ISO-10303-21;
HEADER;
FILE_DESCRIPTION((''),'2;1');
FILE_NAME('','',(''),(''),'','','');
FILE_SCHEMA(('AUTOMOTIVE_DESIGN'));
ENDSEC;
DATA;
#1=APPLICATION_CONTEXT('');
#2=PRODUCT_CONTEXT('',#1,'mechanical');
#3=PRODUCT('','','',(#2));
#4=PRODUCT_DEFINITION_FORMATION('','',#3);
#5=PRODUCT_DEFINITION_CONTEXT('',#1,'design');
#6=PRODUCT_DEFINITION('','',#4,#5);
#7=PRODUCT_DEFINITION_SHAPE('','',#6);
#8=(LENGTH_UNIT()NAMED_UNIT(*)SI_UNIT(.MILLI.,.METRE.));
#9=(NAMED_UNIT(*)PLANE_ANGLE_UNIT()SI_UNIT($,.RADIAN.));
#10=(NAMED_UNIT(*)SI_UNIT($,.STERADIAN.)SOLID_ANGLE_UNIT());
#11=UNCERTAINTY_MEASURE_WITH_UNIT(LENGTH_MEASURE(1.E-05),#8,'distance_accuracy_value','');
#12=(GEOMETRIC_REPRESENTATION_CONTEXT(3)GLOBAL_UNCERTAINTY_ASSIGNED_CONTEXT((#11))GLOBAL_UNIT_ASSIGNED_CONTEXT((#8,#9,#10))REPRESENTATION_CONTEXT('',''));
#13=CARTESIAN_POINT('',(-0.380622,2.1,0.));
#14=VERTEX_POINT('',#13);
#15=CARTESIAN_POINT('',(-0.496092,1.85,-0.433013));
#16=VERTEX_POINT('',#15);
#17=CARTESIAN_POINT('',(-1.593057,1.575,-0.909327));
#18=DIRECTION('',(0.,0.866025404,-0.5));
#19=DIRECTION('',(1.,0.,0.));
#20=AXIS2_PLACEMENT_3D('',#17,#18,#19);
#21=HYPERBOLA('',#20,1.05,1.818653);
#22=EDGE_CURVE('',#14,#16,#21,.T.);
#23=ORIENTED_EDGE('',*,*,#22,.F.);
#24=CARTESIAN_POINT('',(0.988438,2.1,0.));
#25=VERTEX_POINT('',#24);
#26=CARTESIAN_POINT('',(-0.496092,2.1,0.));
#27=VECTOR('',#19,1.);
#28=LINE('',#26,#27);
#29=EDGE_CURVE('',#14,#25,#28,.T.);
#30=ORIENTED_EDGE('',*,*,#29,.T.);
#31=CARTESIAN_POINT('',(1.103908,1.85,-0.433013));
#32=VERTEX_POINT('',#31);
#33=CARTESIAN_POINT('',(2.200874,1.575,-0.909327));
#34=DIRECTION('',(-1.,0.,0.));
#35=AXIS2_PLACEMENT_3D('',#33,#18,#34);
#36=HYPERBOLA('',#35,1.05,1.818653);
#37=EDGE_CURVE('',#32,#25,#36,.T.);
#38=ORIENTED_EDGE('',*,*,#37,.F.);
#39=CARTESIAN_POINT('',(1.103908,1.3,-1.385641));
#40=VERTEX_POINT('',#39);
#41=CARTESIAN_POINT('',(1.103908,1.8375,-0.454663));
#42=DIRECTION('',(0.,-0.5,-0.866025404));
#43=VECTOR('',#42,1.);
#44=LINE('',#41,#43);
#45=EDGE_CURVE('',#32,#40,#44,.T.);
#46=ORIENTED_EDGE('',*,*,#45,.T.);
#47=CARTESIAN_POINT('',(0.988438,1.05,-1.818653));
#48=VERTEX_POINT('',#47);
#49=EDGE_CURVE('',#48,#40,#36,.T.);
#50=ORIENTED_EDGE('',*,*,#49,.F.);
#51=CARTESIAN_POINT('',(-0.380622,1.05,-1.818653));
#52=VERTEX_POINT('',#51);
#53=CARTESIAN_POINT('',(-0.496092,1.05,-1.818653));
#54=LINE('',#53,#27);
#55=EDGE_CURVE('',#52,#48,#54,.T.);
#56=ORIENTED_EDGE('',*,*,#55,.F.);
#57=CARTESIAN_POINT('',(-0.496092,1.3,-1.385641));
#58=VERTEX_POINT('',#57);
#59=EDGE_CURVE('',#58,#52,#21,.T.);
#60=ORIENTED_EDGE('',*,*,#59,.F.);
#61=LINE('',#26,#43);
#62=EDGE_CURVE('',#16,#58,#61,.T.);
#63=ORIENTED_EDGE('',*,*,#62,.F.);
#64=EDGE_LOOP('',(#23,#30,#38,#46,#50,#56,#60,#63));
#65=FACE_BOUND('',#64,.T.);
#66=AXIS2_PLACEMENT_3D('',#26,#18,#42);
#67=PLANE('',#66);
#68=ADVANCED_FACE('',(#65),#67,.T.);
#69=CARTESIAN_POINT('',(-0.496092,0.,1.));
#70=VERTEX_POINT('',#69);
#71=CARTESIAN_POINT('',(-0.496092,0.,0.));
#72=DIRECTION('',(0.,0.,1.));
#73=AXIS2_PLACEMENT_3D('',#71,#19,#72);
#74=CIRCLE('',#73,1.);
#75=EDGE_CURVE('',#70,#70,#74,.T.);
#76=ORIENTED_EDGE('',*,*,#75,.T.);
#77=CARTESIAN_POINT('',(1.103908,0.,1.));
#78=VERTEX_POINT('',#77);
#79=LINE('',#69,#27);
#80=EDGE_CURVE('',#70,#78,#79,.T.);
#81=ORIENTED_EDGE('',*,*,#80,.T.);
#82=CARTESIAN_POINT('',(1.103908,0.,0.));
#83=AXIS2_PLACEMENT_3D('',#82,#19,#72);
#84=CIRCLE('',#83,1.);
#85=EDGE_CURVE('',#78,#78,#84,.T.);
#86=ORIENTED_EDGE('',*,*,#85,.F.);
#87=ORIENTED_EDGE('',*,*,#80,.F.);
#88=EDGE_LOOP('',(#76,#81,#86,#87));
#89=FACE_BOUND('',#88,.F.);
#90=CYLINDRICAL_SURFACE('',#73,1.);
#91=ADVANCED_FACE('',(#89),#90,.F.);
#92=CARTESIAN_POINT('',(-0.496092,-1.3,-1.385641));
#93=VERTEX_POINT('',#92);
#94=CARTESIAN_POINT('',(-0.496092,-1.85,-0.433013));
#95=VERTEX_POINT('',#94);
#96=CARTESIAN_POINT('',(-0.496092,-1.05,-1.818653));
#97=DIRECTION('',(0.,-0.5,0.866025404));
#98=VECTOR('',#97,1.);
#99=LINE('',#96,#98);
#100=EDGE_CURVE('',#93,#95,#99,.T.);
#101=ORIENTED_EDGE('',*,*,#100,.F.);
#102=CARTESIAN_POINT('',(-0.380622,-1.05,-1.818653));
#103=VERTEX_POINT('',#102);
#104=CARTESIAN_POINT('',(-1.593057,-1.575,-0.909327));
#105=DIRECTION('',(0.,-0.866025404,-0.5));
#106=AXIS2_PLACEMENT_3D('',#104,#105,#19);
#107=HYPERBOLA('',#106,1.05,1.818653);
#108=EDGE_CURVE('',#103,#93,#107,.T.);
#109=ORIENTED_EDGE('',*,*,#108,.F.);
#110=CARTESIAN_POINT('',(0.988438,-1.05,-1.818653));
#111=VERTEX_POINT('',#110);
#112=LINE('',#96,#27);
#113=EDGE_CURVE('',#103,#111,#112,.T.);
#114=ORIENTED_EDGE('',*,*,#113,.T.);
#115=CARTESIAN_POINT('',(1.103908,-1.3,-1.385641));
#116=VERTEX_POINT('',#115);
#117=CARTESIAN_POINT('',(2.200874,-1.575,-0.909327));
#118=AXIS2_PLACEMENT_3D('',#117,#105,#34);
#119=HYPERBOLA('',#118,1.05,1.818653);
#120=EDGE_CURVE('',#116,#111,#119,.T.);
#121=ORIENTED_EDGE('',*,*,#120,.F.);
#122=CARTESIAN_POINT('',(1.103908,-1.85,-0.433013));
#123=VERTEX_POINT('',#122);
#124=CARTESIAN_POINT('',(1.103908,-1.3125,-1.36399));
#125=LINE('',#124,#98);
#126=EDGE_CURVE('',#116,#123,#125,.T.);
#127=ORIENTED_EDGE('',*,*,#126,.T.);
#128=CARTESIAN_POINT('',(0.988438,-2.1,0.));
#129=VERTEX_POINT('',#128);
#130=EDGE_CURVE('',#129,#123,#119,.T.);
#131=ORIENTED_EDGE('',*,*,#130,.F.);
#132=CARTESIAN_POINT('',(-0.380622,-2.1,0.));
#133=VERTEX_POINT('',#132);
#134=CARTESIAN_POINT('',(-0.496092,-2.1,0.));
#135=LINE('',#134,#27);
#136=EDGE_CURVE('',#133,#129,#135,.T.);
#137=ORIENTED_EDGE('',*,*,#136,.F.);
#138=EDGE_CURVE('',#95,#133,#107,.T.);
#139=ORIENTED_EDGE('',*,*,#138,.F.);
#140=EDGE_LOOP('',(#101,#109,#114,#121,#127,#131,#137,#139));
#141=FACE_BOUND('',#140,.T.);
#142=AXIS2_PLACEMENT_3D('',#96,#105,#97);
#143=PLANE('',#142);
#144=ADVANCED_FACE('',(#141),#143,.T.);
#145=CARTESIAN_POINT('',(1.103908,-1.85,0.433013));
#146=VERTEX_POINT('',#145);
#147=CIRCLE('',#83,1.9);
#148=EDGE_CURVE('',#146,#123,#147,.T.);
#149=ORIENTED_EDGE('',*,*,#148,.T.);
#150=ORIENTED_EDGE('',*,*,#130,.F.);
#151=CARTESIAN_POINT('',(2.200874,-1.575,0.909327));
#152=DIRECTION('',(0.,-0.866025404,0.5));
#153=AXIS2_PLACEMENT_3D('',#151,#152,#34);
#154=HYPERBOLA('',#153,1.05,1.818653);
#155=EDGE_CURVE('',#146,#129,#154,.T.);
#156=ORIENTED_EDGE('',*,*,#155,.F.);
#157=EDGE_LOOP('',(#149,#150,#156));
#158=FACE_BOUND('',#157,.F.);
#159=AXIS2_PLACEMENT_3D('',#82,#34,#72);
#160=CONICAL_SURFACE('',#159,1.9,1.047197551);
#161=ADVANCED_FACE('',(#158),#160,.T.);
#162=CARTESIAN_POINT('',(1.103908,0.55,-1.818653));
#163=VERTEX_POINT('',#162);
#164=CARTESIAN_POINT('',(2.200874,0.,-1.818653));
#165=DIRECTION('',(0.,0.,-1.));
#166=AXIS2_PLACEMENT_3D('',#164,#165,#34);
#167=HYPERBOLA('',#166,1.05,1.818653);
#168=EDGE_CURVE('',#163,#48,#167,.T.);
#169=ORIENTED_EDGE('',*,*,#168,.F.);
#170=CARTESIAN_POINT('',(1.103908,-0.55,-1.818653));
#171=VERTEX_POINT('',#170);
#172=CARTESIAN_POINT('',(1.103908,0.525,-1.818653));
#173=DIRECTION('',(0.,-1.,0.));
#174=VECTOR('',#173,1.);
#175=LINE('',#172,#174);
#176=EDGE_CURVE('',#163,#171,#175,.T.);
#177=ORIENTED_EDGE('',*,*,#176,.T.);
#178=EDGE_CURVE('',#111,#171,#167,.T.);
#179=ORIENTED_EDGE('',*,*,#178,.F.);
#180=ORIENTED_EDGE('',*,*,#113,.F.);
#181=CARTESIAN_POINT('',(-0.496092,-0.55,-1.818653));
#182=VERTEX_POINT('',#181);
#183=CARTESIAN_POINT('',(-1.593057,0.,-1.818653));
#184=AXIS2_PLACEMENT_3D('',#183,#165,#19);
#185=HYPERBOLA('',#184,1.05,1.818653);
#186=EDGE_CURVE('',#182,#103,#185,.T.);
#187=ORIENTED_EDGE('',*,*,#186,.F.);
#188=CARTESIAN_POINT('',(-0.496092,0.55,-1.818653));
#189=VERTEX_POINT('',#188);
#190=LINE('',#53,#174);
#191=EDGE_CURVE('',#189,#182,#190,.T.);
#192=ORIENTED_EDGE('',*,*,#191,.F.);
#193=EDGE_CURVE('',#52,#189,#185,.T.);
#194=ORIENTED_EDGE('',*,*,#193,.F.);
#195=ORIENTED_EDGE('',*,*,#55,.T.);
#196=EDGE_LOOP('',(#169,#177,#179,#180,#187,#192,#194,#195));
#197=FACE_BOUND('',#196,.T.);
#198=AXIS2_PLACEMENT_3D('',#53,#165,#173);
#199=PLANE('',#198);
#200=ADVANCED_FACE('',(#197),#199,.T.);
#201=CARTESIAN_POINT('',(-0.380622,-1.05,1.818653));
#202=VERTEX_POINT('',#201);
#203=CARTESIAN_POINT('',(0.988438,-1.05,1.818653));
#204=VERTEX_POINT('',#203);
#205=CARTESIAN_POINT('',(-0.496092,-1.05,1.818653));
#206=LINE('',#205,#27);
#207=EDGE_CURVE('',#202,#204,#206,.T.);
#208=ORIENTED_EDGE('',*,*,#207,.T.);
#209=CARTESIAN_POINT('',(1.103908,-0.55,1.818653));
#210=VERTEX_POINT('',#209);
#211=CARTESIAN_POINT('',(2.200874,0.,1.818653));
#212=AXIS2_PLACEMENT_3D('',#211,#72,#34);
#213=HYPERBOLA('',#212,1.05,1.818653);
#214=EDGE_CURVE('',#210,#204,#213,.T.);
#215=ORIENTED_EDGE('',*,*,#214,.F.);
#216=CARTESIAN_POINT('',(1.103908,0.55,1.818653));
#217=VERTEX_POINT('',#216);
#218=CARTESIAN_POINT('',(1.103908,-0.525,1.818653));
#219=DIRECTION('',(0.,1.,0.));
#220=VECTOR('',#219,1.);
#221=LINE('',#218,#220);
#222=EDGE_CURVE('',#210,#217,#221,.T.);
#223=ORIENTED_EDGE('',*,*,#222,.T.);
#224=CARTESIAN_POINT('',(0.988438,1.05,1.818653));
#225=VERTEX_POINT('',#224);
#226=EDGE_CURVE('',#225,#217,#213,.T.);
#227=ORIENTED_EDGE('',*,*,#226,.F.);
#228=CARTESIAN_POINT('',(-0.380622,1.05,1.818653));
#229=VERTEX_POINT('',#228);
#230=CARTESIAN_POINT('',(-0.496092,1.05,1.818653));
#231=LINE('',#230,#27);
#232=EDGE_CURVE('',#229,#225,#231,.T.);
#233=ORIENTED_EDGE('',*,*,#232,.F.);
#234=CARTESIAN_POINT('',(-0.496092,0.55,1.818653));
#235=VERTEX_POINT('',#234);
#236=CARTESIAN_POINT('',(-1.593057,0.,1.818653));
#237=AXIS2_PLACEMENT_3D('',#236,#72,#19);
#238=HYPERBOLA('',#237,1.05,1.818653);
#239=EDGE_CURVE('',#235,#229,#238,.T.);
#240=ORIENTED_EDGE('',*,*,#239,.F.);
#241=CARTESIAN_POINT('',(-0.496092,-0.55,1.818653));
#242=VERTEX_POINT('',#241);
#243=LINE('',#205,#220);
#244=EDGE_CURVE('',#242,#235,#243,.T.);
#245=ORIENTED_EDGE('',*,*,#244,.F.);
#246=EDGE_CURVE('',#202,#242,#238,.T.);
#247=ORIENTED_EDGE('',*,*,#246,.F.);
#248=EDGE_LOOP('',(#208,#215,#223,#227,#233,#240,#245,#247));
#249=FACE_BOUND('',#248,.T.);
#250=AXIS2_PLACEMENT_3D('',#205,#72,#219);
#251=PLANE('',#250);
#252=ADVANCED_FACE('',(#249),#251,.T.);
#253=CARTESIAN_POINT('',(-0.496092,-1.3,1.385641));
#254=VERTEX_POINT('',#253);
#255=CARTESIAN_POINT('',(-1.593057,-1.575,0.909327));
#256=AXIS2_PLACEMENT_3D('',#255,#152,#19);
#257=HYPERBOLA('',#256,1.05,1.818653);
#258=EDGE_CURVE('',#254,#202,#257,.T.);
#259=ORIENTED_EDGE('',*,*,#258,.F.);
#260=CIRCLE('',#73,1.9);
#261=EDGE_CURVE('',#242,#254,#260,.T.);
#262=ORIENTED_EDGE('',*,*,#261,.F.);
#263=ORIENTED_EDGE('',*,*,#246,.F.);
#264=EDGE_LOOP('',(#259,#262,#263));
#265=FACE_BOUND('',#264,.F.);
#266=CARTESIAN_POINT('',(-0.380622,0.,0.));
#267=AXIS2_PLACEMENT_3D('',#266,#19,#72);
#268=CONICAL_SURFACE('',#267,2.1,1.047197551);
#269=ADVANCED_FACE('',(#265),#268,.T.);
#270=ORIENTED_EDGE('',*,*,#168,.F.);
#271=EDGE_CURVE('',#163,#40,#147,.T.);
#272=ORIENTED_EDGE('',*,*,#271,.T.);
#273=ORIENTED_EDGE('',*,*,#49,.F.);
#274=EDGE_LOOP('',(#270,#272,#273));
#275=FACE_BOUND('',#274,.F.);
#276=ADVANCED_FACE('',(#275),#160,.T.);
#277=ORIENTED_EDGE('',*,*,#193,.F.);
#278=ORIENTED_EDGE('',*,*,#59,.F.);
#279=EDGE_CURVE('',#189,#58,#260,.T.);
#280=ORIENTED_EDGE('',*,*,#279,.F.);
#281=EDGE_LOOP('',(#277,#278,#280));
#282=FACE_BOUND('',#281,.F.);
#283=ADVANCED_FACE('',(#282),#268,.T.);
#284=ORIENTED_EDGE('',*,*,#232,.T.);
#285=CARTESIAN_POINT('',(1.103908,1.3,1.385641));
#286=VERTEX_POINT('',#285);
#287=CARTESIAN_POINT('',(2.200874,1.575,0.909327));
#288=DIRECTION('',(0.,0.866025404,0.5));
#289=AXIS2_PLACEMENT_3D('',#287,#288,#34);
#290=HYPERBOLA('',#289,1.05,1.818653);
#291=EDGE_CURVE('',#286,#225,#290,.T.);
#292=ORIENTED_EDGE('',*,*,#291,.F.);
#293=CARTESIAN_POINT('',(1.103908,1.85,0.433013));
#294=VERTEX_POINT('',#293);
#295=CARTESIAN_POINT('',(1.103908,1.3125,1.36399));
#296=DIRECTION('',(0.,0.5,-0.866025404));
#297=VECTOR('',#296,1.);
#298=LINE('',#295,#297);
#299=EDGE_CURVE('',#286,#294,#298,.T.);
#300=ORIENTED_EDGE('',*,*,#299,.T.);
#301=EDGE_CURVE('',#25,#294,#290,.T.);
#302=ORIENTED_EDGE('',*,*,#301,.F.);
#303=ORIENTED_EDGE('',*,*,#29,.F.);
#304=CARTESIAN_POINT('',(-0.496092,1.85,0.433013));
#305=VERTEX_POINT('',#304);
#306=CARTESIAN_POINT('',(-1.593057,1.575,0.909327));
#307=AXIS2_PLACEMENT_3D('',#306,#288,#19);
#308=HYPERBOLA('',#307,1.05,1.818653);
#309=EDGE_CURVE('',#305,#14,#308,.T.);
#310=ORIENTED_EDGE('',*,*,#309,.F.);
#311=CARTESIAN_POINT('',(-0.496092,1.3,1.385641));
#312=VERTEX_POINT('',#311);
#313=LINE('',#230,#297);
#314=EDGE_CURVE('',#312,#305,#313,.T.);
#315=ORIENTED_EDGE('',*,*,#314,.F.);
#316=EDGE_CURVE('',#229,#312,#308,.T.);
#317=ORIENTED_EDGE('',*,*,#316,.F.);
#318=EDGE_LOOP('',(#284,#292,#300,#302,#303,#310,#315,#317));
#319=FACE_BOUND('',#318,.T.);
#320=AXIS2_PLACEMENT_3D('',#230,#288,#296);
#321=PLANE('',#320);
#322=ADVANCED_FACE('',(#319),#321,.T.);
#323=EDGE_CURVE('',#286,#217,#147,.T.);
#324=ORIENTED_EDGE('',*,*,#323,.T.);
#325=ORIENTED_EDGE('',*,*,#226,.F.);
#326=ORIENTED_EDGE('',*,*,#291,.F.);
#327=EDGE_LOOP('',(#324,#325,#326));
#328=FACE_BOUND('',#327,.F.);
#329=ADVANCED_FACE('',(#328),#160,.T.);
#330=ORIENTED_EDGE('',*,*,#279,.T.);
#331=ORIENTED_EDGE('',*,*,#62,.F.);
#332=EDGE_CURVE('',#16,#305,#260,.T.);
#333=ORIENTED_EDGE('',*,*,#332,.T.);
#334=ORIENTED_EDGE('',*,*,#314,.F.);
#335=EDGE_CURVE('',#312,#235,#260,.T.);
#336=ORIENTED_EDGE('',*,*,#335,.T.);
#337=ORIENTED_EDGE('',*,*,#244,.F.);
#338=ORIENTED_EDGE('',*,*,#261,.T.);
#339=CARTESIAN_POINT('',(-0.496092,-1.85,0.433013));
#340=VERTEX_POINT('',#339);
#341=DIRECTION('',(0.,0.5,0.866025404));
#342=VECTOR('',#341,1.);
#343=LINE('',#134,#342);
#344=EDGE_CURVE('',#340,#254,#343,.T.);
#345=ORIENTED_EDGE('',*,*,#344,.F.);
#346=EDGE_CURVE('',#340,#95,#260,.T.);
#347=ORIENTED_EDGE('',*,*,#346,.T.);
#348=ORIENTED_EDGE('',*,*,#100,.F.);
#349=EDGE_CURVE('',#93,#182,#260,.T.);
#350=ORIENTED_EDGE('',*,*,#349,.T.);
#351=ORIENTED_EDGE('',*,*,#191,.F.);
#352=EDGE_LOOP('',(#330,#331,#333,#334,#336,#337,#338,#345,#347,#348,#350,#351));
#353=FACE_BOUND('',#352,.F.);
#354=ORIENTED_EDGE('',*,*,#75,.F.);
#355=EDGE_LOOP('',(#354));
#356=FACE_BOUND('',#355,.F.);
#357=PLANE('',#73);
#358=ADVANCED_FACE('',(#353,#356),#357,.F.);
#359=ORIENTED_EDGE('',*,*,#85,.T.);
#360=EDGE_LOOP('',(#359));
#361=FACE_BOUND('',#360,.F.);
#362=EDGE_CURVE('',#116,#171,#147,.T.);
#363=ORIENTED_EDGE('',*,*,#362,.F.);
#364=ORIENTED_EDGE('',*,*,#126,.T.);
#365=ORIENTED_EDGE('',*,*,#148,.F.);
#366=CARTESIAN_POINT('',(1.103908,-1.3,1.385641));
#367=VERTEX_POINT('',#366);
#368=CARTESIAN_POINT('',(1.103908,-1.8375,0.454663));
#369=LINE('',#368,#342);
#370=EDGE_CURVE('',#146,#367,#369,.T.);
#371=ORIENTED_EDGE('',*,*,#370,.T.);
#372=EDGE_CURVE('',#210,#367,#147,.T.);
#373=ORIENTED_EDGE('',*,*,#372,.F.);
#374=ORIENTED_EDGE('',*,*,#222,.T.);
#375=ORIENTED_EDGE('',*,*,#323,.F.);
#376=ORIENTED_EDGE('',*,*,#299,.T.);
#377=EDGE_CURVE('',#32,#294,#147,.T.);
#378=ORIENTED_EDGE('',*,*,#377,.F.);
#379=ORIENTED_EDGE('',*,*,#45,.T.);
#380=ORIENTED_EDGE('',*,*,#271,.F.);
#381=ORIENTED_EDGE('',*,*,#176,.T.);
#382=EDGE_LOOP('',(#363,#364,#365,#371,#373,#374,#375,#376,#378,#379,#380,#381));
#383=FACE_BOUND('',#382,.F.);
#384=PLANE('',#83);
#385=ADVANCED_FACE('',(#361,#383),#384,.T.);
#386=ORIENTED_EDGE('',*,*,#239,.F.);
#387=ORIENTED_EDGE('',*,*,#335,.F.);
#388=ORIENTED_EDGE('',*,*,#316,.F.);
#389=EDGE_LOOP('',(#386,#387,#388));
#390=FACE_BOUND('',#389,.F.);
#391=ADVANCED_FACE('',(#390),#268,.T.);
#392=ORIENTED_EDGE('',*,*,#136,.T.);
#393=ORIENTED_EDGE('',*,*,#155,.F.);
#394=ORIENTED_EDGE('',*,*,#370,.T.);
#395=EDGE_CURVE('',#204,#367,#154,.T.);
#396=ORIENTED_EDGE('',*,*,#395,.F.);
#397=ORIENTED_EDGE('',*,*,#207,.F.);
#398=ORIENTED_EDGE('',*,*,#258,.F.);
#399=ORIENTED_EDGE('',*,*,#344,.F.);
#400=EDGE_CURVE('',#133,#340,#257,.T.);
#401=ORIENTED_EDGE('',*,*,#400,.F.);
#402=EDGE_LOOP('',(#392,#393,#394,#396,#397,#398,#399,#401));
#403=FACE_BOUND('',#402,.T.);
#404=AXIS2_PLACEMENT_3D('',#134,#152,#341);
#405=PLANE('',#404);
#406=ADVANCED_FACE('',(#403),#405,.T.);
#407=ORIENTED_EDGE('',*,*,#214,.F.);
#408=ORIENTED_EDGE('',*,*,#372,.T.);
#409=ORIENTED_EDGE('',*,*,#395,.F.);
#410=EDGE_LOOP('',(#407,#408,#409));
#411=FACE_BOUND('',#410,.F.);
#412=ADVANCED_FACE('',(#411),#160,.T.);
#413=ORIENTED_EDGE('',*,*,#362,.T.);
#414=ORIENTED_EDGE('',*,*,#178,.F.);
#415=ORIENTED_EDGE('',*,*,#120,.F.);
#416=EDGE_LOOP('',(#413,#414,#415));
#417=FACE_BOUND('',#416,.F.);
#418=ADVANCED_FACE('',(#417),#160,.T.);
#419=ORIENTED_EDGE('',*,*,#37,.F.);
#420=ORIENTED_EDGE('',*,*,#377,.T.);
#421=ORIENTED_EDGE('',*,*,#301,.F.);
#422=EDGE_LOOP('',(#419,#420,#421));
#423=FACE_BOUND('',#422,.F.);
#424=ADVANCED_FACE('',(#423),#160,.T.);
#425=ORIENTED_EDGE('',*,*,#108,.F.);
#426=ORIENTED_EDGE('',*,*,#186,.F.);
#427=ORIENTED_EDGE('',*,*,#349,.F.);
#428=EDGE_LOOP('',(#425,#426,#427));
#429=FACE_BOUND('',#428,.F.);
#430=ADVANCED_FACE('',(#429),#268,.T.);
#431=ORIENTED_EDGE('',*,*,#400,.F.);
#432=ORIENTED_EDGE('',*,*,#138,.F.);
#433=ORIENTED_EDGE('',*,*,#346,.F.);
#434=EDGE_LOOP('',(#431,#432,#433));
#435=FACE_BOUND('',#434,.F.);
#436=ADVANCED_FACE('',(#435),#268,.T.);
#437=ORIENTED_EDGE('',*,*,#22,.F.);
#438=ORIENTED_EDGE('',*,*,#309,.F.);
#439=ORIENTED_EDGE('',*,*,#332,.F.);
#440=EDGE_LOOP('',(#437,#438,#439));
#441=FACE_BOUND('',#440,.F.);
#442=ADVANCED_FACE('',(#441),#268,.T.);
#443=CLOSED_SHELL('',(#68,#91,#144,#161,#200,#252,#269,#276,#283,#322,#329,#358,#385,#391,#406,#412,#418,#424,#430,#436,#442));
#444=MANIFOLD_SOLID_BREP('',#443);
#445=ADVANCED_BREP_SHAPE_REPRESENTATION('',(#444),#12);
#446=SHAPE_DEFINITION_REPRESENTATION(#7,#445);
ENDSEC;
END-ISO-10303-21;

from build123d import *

# Parameters (mm, degrees)
SKETCH_3_OUTSIDE_W  = 7.43
SKETCH_3_OUTSIDE_H  = 7.43
CUT_EXTRUDE_4_DEPTH = 10


with BuildPart() as part:
    # Эскиз1 → Повернуть1 (revolve)
    with BuildSketch(Plane.XY, mode=Mode.PRIVATE) as revolve_1_sk:
        Polygon((-0.496091837, 1), (1.103908163, 1), (1.103908163, 1.9), (0.988438109, 2.1), (-0.380621783, 2.1), (-0.496091837, 1.9), align=None)
    revolve(revolve_1_sk.sketch.rotate(Axis((-3.876264999, 0, 0), (1, 0, 0)), 90), axis=Axis((-3.876264999, 0, 0), (1, 0, 0)))

    # Эскиз3 outside → Вырез-Вытянуть4 (cut)
    with BuildSketch(Plane.ZY.offset(0.496091837)):
        Rectangle(SKETCH_3_OUTSIDE_W, SKETCH_3_OUTSIDE_H)
        Polygon((0, 2.1), (-1.818653348, 1.05), (-1.818653348, -1.05), (0, -2.1), (1.818653348, -1.05), (1.818653348, 1.05), align=None, mode=Mode.SUBTRACT)
    extrude(amount=-CUT_EXTRUDE_4_DEPTH, mode=Mode.SUBTRACT)


solid = part.part
